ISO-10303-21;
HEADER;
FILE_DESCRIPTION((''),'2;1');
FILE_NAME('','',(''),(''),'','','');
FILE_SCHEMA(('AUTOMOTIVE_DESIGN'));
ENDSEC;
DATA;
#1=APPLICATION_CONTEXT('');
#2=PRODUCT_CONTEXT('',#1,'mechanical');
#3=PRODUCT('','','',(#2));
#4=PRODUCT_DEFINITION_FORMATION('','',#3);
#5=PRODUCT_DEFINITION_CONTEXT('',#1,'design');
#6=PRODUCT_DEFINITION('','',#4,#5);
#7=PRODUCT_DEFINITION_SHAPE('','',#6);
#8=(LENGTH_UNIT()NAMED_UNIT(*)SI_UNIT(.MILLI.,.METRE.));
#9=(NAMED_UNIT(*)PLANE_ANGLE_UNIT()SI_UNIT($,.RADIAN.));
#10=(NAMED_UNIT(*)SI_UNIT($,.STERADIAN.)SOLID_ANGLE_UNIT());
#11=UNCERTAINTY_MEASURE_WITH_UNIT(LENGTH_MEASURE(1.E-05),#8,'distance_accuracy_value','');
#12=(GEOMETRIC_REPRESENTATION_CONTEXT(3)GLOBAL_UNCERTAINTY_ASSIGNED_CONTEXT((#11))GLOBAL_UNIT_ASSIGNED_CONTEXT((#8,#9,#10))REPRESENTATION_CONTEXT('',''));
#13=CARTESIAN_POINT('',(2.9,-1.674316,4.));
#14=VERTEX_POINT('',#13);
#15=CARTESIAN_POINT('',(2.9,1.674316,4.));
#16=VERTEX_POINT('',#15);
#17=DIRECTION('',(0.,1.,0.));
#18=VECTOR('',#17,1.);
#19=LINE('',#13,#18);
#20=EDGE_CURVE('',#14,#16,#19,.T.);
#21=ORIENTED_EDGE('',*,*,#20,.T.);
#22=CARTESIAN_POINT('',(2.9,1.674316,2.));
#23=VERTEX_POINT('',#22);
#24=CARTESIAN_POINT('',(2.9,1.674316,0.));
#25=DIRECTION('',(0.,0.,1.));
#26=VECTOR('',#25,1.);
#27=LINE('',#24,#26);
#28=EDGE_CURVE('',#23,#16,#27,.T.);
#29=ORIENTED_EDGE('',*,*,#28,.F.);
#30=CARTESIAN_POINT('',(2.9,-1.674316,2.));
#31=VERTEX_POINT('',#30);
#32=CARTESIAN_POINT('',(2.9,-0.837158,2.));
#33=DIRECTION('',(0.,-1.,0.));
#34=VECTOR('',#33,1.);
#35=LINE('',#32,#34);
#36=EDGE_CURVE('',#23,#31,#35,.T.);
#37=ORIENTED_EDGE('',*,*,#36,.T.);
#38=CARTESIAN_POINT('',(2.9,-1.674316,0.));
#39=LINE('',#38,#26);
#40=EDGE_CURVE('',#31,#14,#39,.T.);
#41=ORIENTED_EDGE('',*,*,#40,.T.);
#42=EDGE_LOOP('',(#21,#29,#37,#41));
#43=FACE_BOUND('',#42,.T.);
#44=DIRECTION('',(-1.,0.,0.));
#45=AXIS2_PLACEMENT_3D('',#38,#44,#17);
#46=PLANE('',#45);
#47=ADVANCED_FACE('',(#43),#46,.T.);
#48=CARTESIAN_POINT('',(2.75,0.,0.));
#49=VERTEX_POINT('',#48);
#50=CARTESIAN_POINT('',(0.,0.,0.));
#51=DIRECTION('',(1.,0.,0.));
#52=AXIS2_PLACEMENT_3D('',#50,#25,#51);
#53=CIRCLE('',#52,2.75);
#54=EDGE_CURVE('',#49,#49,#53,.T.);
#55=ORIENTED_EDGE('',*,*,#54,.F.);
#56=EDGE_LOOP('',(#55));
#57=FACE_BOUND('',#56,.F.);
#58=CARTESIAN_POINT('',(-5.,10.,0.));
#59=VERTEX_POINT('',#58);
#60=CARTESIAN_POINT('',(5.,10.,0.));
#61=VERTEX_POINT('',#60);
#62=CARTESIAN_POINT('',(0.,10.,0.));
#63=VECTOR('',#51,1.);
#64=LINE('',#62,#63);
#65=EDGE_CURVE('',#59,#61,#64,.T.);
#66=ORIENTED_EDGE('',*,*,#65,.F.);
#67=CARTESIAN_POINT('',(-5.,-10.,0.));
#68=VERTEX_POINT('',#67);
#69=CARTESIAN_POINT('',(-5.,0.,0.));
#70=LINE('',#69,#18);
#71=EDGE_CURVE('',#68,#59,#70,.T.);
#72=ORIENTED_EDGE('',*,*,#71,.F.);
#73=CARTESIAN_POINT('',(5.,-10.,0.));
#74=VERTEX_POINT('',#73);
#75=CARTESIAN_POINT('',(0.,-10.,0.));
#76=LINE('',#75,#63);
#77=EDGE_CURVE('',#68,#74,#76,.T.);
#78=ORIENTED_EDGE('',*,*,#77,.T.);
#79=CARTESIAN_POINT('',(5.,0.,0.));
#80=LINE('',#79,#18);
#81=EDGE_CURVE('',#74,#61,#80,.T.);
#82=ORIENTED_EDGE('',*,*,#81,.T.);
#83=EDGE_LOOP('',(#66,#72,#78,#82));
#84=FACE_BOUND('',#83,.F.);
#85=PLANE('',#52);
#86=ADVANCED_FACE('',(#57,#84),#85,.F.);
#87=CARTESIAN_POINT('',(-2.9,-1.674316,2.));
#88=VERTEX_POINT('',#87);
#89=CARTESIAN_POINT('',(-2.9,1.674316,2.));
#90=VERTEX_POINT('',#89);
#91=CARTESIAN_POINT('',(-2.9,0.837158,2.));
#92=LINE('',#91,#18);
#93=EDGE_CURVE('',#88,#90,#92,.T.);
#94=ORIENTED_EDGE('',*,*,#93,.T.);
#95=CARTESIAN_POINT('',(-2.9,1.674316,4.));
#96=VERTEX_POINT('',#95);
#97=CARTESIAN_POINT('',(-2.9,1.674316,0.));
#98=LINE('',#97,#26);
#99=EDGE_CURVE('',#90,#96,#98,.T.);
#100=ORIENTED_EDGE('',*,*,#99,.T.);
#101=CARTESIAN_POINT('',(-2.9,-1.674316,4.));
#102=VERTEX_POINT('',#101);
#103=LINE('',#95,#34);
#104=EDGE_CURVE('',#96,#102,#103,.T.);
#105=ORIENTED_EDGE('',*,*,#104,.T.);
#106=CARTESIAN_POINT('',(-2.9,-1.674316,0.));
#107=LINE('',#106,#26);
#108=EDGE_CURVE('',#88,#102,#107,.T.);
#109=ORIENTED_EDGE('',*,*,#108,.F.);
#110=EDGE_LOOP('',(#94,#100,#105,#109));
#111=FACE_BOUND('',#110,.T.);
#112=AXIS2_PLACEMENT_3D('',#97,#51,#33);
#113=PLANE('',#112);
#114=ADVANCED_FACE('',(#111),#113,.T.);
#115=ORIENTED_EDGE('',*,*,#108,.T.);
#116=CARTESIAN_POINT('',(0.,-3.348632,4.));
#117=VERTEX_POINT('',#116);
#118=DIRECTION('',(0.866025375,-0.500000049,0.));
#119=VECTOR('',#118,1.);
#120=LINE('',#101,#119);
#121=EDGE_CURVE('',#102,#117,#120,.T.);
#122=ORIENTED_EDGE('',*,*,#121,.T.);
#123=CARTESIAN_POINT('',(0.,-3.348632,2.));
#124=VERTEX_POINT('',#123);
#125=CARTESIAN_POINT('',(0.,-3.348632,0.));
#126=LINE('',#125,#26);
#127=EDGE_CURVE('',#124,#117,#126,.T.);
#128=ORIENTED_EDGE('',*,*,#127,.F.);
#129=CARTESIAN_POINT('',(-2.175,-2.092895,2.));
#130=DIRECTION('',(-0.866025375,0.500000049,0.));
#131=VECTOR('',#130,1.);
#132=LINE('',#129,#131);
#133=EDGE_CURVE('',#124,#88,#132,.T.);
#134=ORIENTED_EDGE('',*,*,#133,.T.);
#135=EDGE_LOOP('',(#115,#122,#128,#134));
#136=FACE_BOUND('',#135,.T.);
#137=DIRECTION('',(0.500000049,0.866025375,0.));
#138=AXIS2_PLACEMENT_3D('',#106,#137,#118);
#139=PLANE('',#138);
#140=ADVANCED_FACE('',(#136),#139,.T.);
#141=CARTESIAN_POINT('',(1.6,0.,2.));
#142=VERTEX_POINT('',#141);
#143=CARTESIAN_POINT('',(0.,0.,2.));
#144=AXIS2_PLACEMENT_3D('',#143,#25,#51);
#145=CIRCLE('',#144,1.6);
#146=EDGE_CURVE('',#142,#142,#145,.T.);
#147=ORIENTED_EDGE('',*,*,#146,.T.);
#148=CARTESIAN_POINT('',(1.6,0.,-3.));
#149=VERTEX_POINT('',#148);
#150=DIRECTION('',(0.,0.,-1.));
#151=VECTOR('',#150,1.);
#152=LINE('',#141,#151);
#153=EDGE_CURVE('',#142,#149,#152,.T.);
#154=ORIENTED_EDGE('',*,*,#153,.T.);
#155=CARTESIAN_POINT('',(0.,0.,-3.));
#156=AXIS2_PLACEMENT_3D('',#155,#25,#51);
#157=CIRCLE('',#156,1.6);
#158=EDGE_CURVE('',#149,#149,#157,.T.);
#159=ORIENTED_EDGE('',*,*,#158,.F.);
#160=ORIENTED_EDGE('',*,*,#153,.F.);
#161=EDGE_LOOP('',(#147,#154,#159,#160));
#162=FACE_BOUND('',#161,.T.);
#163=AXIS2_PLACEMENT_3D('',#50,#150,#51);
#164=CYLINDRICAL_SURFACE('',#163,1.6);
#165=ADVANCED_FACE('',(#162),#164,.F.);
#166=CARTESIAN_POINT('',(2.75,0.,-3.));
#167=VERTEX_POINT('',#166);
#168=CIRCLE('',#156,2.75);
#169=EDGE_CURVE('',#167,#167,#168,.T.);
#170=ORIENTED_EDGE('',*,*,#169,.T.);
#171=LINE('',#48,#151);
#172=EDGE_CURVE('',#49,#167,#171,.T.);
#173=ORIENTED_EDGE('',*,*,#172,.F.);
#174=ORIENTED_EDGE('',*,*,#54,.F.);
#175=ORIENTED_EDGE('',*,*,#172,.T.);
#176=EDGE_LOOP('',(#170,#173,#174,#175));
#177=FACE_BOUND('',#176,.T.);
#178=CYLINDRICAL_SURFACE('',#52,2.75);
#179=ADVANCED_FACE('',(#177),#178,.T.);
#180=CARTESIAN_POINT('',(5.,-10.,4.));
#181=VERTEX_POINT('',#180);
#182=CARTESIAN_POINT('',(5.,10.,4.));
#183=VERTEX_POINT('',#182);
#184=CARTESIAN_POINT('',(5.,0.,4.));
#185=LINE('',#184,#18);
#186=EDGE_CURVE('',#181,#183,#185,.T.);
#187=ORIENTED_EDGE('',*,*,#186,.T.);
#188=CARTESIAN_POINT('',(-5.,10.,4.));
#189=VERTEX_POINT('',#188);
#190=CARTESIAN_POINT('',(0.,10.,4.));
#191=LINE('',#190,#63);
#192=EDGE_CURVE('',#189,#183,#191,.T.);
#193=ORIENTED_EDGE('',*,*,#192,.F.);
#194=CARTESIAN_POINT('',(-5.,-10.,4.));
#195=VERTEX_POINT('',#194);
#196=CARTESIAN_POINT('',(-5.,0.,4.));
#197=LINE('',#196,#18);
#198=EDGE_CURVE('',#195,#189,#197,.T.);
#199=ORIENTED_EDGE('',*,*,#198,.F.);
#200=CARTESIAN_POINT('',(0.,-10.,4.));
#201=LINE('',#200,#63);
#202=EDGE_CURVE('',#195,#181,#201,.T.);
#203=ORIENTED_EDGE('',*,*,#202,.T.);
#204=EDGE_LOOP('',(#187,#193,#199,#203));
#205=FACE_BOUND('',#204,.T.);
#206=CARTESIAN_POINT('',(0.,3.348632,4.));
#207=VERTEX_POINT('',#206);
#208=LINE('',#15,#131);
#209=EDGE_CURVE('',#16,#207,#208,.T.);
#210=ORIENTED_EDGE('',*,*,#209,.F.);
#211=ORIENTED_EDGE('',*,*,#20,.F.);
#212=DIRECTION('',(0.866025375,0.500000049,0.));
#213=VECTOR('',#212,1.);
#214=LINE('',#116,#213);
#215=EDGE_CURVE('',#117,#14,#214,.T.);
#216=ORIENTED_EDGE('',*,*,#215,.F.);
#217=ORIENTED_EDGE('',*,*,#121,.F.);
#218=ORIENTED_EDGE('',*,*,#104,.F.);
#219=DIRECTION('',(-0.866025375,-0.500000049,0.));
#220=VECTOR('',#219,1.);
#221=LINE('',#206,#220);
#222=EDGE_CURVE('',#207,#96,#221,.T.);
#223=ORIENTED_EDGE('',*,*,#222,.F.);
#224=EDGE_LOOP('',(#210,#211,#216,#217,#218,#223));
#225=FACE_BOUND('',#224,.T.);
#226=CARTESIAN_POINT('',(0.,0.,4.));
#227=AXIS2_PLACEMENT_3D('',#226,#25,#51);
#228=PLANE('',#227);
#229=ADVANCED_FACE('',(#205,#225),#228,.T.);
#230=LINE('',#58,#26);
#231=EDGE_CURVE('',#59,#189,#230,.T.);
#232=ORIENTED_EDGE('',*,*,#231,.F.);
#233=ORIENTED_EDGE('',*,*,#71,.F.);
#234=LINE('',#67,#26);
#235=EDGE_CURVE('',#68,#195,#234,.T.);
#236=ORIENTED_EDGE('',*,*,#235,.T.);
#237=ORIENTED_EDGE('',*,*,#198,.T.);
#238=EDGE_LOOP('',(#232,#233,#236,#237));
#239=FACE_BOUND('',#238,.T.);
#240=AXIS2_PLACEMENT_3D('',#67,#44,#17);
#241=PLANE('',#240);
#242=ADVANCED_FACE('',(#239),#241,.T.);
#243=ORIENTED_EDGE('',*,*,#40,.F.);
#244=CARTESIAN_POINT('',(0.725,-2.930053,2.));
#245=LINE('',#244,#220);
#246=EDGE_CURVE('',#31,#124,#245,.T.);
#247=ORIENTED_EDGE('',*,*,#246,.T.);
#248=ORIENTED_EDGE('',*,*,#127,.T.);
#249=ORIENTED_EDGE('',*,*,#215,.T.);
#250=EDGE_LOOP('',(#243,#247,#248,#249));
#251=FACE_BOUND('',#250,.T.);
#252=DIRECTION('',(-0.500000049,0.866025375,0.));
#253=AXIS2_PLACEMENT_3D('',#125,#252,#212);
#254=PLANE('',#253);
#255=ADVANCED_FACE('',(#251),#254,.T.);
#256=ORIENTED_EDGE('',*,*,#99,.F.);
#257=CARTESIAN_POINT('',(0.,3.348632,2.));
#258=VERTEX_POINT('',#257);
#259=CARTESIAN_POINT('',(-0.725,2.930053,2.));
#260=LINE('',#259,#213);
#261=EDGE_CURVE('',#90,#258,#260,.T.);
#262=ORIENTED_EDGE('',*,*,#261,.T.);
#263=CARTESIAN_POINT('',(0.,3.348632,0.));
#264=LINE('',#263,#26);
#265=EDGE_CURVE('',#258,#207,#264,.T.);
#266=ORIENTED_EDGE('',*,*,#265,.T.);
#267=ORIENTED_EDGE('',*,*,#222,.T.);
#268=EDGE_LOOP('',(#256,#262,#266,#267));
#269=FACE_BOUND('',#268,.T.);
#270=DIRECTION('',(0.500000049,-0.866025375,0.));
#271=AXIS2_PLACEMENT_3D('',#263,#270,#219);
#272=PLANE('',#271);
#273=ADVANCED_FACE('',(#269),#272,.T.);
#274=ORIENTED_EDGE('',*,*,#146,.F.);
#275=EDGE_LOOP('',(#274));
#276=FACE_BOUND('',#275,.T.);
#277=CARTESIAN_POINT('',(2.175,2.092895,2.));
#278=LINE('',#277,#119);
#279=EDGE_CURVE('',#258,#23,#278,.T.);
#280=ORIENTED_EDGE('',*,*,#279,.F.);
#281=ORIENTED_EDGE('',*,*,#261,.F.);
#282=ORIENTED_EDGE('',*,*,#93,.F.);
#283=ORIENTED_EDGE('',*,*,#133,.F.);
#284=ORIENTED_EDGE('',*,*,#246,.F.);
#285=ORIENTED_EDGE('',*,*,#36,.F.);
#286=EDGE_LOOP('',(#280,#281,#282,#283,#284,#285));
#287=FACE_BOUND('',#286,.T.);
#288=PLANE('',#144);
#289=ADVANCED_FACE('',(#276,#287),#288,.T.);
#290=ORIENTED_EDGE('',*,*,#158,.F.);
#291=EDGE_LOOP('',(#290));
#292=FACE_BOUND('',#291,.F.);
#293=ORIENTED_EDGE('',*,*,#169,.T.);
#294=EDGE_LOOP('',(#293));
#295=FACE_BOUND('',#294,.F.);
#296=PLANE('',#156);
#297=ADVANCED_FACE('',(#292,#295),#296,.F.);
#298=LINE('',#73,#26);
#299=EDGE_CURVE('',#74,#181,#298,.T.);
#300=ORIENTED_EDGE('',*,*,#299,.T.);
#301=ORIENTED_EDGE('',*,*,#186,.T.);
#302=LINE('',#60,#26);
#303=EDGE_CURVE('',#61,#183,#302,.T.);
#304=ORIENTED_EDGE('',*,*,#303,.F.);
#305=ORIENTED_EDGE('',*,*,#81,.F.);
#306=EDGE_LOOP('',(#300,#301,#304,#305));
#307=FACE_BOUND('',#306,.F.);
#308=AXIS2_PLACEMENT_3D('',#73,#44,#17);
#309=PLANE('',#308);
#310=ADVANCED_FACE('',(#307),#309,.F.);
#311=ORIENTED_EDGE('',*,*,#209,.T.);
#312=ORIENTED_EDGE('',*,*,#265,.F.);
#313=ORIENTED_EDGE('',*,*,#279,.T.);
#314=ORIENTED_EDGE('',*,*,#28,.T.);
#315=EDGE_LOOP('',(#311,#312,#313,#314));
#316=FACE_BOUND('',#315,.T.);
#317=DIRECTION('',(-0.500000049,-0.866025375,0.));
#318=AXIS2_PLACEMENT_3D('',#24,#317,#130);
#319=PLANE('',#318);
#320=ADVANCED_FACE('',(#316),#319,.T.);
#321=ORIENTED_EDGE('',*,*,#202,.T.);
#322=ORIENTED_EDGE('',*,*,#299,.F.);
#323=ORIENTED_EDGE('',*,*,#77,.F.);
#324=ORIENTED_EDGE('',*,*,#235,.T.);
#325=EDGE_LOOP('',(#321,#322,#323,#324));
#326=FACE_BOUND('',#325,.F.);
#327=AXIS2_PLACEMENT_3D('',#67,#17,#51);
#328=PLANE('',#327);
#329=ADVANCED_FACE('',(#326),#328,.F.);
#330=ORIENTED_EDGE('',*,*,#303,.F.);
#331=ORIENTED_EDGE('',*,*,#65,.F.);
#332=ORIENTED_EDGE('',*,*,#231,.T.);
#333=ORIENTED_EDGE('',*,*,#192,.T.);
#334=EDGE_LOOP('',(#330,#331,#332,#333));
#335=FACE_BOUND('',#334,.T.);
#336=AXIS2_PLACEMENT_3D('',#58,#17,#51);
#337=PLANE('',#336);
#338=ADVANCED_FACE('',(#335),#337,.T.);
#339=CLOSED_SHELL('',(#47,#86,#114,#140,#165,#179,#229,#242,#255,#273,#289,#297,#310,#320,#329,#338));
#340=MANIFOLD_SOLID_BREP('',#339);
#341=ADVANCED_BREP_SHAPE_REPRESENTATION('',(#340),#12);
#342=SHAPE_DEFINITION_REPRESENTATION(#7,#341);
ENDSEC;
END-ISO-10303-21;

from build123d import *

# Parameters (mm, degrees)
SKETCH006_R   = 2.75
SKETCH006_R_2 = 1.6
PAD005_DEPTH  = 3
SKETCH008_R   = 3.5
SKETCH008_R_2 = 1.6
PAD006_DEPTH  = 2
SKETCH007_W   = 10
SKETCH007_H   = 20
PAD007_DEPTH  = 4


with BuildPart() as part:
    # Sketch006 → Pad005 (new body)
    with BuildSketch(Plane.XY):
        Circle(SKETCH006_R)
        Circle(SKETCH006_R_2, mode=Mode.SUBTRACT)
    extrude(amount=-PAD005_DEPTH)

    # Sketch008 → Pad006 (join)
    with BuildSketch(Plane.XY):
        Circle(SKETCH008_R)
        Circle(SKETCH008_R_2, mode=Mode.SUBTRACT)
    extrude(amount=PAD006_DEPTH)

    # Sketch007 → Pad007 (join)
    with BuildSketch(Plane.XY):
        Rectangle(SKETCH007_W, SKETCH007_H)
        Polygon((0, -3.348632), (2.9, -1.674316), (2.9, 1.674316), (0, 3.348632), (-2.9, 1.674316), (-2.9, -1.674316), align=None, mode=Mode.SUBTRACT)
    extrude(amount=PAD007_DEPTH)


solid = part.part
